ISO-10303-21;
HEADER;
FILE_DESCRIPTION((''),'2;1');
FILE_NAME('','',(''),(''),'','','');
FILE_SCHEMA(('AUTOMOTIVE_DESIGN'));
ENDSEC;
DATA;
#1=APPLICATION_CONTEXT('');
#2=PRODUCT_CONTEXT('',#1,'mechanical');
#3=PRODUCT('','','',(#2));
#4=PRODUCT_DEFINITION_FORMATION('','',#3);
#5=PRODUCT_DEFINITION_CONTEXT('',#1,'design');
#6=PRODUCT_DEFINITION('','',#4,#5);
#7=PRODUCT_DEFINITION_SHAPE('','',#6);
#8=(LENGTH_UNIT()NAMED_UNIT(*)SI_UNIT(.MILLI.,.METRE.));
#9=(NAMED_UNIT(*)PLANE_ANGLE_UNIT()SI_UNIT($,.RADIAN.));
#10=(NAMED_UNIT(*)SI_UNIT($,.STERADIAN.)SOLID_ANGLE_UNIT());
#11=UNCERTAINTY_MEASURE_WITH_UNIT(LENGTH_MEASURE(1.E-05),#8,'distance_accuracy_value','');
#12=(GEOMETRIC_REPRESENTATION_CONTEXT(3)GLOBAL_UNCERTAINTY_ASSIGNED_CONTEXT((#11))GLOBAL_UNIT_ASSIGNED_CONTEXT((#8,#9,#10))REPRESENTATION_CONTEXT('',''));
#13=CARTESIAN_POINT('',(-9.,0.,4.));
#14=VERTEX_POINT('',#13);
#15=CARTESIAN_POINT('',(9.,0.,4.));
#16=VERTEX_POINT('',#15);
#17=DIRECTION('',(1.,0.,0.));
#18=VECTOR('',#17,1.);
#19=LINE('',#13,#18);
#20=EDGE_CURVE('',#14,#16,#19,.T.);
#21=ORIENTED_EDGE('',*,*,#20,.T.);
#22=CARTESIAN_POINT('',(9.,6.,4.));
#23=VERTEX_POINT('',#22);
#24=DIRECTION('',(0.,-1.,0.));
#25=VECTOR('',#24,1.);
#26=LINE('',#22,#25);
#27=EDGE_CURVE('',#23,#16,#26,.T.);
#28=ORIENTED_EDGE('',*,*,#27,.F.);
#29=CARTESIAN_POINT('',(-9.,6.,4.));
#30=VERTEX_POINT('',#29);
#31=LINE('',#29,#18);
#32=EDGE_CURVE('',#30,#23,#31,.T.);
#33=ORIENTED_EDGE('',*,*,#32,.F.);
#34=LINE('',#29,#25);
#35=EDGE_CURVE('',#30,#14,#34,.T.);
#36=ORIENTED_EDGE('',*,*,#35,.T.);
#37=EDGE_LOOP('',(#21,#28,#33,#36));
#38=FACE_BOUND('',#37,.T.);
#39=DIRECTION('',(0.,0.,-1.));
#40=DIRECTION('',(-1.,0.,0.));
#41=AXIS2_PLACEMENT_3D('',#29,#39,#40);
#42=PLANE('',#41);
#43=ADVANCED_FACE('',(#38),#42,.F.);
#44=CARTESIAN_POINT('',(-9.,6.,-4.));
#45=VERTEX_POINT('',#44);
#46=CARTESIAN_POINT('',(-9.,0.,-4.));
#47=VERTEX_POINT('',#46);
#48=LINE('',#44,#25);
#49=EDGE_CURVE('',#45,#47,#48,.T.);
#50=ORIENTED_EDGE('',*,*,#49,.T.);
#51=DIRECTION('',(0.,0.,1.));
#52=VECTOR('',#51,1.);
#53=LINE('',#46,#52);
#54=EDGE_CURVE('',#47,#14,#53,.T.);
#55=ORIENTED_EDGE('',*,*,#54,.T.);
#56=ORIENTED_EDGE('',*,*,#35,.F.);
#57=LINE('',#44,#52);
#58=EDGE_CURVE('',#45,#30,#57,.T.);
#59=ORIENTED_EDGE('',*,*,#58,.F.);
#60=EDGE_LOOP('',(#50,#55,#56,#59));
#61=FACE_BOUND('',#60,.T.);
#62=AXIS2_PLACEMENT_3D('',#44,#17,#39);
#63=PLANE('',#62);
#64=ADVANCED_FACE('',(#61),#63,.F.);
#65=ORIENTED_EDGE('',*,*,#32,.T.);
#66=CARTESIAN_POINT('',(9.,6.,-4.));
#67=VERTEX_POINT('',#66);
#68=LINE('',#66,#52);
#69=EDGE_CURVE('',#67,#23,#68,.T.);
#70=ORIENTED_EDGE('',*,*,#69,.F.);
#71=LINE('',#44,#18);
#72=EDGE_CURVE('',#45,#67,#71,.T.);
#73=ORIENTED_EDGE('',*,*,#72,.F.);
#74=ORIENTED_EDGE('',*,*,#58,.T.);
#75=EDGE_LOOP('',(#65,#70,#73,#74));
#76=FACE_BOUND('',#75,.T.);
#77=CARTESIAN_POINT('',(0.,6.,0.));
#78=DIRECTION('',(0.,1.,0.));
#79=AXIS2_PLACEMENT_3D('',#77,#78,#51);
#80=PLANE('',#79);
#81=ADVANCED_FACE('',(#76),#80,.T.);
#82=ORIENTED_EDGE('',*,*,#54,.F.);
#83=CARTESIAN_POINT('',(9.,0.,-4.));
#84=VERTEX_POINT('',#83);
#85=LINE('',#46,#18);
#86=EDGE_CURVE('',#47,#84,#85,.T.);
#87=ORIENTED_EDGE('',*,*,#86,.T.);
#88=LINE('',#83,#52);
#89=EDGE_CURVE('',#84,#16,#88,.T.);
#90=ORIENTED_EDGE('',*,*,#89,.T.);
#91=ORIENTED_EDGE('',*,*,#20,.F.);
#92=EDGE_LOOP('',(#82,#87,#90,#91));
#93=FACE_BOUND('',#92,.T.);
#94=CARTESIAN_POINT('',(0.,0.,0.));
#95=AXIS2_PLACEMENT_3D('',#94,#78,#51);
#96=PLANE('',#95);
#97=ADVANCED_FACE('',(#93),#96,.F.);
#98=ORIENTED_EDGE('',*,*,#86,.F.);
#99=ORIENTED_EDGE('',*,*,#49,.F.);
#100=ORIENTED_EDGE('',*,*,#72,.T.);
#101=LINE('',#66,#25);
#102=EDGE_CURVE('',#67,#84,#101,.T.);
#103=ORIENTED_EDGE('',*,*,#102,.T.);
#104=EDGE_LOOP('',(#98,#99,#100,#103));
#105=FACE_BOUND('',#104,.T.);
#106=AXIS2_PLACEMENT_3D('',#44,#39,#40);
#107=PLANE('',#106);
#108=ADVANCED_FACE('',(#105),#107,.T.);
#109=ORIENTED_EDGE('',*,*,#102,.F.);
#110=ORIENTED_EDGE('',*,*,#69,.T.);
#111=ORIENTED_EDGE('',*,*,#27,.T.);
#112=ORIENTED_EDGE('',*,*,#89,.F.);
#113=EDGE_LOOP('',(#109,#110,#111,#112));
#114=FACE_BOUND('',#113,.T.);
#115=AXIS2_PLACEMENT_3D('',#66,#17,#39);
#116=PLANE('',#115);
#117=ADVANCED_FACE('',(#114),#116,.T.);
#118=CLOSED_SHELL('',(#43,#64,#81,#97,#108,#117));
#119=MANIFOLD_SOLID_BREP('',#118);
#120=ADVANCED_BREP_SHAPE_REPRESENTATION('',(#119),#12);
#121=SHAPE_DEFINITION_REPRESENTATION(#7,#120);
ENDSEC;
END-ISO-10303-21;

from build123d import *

# Parameters (mm, degrees)
SKETCH_1_W      = 18
SKETCH_1_H      = 8
EXTRUDE_1_DEPTH = 6


with BuildPart() as part:
    # 草图1 → 凸台-拉伸1 (new body)
    with BuildSketch(Plane(origin=(0, 0, 0), x_dir=(1, 0, 0), z_dir=(0, 1, 0))):
        Rectangle(SKETCH_1_W, SKETCH_1_H)
    extrude(amount=EXTRUDE_1_DEPTH)


solid = part.part
